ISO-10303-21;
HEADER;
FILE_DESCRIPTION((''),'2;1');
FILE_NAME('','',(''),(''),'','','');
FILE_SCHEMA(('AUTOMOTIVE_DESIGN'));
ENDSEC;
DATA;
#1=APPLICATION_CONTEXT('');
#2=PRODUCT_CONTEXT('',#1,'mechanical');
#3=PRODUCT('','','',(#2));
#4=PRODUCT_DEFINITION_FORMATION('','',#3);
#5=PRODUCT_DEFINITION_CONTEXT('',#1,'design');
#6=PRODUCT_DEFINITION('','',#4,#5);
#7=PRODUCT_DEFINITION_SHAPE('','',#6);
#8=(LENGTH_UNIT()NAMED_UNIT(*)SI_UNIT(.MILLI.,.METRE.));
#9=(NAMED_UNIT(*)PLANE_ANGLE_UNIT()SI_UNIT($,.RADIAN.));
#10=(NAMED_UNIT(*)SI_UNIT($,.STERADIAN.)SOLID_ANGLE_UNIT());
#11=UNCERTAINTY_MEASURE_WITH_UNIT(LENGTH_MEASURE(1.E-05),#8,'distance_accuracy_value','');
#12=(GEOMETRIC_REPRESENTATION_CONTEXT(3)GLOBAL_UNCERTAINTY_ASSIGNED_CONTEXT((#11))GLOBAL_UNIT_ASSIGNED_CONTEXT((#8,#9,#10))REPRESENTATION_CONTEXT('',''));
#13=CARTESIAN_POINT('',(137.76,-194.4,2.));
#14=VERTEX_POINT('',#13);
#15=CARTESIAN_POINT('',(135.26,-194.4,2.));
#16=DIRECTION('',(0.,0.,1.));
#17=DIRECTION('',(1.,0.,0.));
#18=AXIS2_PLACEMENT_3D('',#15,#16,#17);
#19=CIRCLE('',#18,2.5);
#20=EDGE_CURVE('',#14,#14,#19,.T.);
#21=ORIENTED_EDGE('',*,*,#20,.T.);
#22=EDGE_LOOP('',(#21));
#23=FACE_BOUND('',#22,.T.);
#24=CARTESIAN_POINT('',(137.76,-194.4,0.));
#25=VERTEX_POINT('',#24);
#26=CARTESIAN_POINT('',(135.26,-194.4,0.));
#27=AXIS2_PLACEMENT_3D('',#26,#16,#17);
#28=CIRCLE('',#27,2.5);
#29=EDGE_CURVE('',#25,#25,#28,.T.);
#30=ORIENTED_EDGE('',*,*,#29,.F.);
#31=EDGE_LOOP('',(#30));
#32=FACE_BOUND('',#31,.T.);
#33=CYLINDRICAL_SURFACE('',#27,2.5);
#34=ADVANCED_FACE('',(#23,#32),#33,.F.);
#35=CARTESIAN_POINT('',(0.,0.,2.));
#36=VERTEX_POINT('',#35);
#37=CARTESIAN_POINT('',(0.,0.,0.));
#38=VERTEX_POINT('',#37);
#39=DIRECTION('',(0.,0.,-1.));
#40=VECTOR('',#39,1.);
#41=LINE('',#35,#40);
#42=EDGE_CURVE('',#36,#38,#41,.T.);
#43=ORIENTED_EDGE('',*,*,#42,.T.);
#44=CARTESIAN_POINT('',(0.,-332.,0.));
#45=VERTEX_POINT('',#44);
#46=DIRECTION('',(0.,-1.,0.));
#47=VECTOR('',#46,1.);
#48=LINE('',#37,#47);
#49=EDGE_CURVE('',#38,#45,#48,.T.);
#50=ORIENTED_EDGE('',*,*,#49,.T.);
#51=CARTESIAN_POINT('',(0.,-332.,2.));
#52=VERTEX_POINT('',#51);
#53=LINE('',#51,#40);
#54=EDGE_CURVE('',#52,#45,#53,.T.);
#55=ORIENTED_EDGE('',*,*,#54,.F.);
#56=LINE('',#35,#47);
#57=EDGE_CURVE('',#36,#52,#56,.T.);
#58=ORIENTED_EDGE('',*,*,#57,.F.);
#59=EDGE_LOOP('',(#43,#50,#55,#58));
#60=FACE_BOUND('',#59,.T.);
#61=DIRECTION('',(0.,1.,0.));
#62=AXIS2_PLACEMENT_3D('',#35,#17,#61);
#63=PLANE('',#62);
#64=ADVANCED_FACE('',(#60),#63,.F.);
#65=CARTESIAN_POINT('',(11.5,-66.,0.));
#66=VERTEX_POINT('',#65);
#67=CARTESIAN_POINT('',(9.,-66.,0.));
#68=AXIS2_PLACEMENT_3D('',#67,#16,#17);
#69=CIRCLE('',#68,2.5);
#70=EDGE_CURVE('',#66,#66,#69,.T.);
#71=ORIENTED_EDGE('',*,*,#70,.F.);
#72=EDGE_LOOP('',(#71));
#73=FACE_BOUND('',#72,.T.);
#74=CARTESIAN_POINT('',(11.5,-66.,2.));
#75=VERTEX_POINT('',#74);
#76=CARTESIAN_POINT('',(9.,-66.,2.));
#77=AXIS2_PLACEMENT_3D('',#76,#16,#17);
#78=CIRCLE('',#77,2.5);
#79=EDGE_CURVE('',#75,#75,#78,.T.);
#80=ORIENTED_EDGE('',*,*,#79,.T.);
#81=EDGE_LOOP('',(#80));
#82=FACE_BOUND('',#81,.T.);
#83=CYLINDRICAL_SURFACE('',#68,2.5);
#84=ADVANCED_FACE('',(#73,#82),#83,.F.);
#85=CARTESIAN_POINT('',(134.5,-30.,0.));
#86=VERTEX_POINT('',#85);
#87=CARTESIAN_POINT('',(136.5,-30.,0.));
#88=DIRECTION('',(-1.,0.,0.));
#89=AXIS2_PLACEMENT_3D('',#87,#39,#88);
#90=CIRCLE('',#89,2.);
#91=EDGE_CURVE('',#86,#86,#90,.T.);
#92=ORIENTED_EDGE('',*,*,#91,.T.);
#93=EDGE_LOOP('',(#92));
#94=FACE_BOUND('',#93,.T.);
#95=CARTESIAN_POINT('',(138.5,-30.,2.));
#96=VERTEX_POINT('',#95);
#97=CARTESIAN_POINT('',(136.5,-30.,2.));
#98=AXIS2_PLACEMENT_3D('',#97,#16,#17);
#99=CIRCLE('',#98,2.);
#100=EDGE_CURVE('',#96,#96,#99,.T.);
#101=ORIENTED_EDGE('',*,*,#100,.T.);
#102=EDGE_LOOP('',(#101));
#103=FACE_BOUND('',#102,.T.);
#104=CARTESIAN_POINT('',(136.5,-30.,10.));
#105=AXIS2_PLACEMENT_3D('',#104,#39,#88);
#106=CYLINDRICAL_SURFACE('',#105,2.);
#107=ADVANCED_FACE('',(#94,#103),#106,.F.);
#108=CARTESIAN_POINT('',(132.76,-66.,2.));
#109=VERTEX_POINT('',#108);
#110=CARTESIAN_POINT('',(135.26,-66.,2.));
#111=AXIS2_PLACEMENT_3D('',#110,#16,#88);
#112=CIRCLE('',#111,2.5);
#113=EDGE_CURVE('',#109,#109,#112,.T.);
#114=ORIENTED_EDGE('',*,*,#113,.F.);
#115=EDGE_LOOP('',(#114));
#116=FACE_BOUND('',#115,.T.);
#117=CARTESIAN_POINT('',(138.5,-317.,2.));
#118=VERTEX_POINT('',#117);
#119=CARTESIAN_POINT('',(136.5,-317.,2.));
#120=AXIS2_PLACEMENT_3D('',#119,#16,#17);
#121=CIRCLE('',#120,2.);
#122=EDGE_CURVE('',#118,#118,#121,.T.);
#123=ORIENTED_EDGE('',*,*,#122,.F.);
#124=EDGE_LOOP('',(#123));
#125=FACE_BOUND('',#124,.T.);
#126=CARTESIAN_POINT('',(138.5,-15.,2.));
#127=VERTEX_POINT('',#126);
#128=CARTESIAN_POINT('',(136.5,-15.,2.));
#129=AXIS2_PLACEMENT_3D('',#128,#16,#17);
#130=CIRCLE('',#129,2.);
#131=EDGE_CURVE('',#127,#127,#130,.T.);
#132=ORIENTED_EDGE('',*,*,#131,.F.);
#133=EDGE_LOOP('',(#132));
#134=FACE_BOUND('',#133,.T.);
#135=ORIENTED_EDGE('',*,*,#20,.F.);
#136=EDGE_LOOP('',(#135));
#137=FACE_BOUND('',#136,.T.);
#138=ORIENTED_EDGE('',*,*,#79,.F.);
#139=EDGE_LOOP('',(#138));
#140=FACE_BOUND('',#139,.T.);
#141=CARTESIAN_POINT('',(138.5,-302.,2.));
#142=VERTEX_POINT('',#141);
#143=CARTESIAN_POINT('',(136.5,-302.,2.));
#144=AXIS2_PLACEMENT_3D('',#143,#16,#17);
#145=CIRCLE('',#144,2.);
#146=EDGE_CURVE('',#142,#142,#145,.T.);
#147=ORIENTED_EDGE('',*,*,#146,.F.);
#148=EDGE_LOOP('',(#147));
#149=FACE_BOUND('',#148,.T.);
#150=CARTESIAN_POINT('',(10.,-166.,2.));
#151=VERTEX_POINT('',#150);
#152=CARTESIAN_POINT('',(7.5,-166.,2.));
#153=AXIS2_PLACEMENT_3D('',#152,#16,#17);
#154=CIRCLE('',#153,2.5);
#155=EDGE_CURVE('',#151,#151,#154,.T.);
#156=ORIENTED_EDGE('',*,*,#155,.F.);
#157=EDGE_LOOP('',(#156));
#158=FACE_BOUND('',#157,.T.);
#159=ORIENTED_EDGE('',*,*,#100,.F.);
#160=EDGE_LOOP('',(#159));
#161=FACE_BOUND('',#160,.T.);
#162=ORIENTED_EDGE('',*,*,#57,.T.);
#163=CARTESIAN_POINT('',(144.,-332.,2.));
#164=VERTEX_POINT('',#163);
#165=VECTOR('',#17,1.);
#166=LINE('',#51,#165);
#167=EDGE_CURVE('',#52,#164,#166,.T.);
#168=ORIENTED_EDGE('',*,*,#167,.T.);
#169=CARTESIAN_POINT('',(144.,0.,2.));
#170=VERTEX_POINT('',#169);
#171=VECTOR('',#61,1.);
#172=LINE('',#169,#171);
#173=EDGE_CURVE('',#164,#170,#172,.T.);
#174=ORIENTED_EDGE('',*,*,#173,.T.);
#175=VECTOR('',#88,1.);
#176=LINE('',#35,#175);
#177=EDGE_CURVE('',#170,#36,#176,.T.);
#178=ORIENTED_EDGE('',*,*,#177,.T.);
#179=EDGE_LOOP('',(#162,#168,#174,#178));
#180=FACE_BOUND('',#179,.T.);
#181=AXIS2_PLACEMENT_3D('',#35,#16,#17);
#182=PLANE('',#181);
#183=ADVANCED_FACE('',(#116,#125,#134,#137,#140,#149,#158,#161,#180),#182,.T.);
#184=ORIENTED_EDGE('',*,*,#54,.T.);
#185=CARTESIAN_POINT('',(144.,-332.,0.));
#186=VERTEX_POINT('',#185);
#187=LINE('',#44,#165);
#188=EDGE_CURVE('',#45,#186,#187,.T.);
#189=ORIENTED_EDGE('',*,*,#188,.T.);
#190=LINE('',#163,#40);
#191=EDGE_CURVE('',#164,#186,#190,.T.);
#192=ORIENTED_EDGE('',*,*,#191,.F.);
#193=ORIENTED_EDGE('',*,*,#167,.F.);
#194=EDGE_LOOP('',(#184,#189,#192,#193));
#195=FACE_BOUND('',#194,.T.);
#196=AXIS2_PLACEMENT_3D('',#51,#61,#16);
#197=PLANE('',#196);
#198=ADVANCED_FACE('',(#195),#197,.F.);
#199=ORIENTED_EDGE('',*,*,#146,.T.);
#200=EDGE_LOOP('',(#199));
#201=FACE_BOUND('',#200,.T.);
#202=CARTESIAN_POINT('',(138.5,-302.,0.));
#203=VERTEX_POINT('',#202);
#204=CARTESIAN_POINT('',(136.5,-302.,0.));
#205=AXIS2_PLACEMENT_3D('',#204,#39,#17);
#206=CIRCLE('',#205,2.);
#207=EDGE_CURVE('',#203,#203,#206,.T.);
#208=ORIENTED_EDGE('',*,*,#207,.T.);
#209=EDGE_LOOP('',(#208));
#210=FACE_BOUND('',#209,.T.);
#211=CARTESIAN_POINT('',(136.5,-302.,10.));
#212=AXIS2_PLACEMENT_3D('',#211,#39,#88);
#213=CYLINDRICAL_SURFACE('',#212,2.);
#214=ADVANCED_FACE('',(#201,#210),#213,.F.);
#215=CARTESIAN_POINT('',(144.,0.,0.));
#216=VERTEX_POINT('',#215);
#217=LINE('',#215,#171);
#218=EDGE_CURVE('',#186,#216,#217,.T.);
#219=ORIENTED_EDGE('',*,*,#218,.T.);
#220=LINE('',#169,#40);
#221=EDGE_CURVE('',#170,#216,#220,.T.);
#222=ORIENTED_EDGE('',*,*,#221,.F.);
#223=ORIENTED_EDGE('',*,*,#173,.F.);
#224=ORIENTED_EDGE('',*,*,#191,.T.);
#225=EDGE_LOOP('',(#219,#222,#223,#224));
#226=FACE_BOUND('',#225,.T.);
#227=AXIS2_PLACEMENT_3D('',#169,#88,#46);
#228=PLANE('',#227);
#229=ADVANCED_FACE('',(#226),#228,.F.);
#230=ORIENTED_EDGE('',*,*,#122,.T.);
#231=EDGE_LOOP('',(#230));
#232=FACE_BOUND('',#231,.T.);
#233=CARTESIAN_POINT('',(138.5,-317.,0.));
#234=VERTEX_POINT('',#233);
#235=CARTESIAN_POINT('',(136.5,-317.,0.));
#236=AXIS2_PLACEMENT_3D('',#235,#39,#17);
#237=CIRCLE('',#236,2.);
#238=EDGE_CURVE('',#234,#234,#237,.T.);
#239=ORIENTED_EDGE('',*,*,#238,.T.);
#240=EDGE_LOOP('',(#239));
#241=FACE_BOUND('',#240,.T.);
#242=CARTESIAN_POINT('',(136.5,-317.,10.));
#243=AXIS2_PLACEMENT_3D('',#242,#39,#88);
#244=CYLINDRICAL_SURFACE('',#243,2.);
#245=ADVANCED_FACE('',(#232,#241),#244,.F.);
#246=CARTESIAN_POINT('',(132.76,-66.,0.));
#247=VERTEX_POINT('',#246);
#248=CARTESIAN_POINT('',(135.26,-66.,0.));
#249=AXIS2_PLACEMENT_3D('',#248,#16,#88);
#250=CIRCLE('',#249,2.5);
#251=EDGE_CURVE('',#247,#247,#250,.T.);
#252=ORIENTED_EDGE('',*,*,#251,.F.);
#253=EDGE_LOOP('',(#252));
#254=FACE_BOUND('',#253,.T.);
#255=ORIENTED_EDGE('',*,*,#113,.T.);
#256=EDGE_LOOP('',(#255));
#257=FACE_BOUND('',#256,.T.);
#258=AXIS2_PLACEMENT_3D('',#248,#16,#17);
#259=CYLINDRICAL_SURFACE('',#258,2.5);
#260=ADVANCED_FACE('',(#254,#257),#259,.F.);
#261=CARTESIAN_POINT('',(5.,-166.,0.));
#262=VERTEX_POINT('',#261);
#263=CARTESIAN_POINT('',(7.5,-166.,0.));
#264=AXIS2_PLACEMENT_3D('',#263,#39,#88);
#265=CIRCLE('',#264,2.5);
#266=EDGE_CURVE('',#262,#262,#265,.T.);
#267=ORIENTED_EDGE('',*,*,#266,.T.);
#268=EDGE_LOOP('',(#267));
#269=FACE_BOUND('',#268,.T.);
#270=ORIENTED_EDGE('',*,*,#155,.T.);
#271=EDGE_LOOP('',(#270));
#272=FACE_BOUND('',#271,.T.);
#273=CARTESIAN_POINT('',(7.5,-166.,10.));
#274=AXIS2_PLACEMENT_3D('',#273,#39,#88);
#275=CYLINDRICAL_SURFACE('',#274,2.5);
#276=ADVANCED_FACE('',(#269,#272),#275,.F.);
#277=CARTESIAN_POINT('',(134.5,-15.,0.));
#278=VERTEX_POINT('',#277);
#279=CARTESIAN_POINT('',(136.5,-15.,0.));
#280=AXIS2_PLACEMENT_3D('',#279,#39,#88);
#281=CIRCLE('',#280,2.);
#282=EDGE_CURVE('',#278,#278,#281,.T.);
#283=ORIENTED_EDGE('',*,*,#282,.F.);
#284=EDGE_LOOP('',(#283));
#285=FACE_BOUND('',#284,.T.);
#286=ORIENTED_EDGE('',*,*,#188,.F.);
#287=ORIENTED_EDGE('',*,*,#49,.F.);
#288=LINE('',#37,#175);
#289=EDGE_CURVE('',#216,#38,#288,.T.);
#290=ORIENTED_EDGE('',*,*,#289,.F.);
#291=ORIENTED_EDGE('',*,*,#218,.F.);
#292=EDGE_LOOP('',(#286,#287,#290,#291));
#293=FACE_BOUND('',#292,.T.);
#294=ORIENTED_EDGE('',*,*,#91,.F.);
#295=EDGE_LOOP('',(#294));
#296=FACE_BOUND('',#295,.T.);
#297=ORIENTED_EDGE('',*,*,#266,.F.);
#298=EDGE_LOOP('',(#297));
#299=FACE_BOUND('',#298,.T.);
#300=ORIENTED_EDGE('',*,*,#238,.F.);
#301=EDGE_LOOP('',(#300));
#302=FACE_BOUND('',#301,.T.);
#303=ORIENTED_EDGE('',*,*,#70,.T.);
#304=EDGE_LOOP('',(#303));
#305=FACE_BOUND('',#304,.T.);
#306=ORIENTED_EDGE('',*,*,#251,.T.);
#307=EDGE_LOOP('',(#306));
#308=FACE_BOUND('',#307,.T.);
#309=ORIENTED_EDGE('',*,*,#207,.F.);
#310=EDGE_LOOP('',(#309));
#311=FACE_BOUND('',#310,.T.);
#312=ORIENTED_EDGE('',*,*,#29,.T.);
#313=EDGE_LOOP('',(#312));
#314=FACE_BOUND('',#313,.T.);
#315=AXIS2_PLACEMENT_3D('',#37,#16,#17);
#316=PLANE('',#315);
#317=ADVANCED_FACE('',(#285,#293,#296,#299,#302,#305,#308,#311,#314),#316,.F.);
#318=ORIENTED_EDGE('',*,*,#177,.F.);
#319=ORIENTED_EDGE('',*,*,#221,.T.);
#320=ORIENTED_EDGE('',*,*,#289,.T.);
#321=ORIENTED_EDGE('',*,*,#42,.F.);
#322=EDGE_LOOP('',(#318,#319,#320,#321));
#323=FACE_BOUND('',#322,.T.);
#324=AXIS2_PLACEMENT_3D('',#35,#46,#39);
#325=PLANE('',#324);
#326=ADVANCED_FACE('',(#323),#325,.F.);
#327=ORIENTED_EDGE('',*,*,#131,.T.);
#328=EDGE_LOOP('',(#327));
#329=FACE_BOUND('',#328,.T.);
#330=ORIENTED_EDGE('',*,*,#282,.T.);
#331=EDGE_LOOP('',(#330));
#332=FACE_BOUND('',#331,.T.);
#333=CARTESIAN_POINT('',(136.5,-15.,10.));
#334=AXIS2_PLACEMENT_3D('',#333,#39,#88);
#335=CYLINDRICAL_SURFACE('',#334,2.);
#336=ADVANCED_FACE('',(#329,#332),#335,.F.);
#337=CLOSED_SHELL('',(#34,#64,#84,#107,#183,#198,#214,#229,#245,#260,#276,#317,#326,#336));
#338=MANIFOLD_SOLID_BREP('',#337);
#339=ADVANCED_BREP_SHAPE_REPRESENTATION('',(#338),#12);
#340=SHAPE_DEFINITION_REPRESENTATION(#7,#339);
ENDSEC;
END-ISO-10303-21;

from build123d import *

# Parameters (mm, degrees)
SKETCH_1_W          = 144
SKETCH_1_H          = 332
EXTRUDE_1_DEPTH     = 2
SKETCH_2_R          = 2.5
CUT_EXTRUDE_1_DEPTH = 2
SKETCH_4_R          = 2
SKETCH_4_R_2        = 2.5
CUT_EXTRUDE_2_DEPTH = 10


with BuildPart() as part:
    # 草图1 → 凸台-拉伸1 (new body)
    with BuildSketch(Plane.XY):
        with Locations((72, -166)):
            Rectangle(SKETCH_1_W, SKETCH_1_H)
    extrude(amount=EXTRUDE_1_DEPTH)

    # 草图2 → 切除-拉伸1 (cut)
    with BuildSketch(Plane.XY.offset(2)):
        with Locations((9, -66)):
            Circle(SKETCH_2_R)
        with Locations(Location((135.26, -66, 0), (0, 0, 180))):
            Circle(SKETCH_2_R)
        with Locations((135.26, -194.4)):
            Circle(SKETCH_2_R)
    extrude(amount=-CUT_EXTRUDE_1_DEPTH, mode=Mode.SUBTRACT)

    # 草图4 → 切除-拉伸2 (cut)
    with BuildSketch(Plane(origin=(0, 0, 0), x_dir=(-1, 0, 0), z_dir=(0, 0, -1))):
        with Locations((-136.5, -15)):
            Circle(SKETCH_4_R)
        with Locations((-136.5, -30)):
            Circle(SKETCH_4_R)
        with Locations(Location((-136.5, -302, 0), (0, 0, 180))):
            Circle(SKETCH_4_R)
        with Locations(Location((-136.5, -317, 0), (0, 0, 180))):
            Circle(SKETCH_4_R)
        with Locations((-7.5, -166)):
            Circle(SKETCH_4_R_2)
    extrude(amount=-CUT_EXTRUDE_2_DEPTH, mode=Mode.SUBTRACT)


solid = part.part
